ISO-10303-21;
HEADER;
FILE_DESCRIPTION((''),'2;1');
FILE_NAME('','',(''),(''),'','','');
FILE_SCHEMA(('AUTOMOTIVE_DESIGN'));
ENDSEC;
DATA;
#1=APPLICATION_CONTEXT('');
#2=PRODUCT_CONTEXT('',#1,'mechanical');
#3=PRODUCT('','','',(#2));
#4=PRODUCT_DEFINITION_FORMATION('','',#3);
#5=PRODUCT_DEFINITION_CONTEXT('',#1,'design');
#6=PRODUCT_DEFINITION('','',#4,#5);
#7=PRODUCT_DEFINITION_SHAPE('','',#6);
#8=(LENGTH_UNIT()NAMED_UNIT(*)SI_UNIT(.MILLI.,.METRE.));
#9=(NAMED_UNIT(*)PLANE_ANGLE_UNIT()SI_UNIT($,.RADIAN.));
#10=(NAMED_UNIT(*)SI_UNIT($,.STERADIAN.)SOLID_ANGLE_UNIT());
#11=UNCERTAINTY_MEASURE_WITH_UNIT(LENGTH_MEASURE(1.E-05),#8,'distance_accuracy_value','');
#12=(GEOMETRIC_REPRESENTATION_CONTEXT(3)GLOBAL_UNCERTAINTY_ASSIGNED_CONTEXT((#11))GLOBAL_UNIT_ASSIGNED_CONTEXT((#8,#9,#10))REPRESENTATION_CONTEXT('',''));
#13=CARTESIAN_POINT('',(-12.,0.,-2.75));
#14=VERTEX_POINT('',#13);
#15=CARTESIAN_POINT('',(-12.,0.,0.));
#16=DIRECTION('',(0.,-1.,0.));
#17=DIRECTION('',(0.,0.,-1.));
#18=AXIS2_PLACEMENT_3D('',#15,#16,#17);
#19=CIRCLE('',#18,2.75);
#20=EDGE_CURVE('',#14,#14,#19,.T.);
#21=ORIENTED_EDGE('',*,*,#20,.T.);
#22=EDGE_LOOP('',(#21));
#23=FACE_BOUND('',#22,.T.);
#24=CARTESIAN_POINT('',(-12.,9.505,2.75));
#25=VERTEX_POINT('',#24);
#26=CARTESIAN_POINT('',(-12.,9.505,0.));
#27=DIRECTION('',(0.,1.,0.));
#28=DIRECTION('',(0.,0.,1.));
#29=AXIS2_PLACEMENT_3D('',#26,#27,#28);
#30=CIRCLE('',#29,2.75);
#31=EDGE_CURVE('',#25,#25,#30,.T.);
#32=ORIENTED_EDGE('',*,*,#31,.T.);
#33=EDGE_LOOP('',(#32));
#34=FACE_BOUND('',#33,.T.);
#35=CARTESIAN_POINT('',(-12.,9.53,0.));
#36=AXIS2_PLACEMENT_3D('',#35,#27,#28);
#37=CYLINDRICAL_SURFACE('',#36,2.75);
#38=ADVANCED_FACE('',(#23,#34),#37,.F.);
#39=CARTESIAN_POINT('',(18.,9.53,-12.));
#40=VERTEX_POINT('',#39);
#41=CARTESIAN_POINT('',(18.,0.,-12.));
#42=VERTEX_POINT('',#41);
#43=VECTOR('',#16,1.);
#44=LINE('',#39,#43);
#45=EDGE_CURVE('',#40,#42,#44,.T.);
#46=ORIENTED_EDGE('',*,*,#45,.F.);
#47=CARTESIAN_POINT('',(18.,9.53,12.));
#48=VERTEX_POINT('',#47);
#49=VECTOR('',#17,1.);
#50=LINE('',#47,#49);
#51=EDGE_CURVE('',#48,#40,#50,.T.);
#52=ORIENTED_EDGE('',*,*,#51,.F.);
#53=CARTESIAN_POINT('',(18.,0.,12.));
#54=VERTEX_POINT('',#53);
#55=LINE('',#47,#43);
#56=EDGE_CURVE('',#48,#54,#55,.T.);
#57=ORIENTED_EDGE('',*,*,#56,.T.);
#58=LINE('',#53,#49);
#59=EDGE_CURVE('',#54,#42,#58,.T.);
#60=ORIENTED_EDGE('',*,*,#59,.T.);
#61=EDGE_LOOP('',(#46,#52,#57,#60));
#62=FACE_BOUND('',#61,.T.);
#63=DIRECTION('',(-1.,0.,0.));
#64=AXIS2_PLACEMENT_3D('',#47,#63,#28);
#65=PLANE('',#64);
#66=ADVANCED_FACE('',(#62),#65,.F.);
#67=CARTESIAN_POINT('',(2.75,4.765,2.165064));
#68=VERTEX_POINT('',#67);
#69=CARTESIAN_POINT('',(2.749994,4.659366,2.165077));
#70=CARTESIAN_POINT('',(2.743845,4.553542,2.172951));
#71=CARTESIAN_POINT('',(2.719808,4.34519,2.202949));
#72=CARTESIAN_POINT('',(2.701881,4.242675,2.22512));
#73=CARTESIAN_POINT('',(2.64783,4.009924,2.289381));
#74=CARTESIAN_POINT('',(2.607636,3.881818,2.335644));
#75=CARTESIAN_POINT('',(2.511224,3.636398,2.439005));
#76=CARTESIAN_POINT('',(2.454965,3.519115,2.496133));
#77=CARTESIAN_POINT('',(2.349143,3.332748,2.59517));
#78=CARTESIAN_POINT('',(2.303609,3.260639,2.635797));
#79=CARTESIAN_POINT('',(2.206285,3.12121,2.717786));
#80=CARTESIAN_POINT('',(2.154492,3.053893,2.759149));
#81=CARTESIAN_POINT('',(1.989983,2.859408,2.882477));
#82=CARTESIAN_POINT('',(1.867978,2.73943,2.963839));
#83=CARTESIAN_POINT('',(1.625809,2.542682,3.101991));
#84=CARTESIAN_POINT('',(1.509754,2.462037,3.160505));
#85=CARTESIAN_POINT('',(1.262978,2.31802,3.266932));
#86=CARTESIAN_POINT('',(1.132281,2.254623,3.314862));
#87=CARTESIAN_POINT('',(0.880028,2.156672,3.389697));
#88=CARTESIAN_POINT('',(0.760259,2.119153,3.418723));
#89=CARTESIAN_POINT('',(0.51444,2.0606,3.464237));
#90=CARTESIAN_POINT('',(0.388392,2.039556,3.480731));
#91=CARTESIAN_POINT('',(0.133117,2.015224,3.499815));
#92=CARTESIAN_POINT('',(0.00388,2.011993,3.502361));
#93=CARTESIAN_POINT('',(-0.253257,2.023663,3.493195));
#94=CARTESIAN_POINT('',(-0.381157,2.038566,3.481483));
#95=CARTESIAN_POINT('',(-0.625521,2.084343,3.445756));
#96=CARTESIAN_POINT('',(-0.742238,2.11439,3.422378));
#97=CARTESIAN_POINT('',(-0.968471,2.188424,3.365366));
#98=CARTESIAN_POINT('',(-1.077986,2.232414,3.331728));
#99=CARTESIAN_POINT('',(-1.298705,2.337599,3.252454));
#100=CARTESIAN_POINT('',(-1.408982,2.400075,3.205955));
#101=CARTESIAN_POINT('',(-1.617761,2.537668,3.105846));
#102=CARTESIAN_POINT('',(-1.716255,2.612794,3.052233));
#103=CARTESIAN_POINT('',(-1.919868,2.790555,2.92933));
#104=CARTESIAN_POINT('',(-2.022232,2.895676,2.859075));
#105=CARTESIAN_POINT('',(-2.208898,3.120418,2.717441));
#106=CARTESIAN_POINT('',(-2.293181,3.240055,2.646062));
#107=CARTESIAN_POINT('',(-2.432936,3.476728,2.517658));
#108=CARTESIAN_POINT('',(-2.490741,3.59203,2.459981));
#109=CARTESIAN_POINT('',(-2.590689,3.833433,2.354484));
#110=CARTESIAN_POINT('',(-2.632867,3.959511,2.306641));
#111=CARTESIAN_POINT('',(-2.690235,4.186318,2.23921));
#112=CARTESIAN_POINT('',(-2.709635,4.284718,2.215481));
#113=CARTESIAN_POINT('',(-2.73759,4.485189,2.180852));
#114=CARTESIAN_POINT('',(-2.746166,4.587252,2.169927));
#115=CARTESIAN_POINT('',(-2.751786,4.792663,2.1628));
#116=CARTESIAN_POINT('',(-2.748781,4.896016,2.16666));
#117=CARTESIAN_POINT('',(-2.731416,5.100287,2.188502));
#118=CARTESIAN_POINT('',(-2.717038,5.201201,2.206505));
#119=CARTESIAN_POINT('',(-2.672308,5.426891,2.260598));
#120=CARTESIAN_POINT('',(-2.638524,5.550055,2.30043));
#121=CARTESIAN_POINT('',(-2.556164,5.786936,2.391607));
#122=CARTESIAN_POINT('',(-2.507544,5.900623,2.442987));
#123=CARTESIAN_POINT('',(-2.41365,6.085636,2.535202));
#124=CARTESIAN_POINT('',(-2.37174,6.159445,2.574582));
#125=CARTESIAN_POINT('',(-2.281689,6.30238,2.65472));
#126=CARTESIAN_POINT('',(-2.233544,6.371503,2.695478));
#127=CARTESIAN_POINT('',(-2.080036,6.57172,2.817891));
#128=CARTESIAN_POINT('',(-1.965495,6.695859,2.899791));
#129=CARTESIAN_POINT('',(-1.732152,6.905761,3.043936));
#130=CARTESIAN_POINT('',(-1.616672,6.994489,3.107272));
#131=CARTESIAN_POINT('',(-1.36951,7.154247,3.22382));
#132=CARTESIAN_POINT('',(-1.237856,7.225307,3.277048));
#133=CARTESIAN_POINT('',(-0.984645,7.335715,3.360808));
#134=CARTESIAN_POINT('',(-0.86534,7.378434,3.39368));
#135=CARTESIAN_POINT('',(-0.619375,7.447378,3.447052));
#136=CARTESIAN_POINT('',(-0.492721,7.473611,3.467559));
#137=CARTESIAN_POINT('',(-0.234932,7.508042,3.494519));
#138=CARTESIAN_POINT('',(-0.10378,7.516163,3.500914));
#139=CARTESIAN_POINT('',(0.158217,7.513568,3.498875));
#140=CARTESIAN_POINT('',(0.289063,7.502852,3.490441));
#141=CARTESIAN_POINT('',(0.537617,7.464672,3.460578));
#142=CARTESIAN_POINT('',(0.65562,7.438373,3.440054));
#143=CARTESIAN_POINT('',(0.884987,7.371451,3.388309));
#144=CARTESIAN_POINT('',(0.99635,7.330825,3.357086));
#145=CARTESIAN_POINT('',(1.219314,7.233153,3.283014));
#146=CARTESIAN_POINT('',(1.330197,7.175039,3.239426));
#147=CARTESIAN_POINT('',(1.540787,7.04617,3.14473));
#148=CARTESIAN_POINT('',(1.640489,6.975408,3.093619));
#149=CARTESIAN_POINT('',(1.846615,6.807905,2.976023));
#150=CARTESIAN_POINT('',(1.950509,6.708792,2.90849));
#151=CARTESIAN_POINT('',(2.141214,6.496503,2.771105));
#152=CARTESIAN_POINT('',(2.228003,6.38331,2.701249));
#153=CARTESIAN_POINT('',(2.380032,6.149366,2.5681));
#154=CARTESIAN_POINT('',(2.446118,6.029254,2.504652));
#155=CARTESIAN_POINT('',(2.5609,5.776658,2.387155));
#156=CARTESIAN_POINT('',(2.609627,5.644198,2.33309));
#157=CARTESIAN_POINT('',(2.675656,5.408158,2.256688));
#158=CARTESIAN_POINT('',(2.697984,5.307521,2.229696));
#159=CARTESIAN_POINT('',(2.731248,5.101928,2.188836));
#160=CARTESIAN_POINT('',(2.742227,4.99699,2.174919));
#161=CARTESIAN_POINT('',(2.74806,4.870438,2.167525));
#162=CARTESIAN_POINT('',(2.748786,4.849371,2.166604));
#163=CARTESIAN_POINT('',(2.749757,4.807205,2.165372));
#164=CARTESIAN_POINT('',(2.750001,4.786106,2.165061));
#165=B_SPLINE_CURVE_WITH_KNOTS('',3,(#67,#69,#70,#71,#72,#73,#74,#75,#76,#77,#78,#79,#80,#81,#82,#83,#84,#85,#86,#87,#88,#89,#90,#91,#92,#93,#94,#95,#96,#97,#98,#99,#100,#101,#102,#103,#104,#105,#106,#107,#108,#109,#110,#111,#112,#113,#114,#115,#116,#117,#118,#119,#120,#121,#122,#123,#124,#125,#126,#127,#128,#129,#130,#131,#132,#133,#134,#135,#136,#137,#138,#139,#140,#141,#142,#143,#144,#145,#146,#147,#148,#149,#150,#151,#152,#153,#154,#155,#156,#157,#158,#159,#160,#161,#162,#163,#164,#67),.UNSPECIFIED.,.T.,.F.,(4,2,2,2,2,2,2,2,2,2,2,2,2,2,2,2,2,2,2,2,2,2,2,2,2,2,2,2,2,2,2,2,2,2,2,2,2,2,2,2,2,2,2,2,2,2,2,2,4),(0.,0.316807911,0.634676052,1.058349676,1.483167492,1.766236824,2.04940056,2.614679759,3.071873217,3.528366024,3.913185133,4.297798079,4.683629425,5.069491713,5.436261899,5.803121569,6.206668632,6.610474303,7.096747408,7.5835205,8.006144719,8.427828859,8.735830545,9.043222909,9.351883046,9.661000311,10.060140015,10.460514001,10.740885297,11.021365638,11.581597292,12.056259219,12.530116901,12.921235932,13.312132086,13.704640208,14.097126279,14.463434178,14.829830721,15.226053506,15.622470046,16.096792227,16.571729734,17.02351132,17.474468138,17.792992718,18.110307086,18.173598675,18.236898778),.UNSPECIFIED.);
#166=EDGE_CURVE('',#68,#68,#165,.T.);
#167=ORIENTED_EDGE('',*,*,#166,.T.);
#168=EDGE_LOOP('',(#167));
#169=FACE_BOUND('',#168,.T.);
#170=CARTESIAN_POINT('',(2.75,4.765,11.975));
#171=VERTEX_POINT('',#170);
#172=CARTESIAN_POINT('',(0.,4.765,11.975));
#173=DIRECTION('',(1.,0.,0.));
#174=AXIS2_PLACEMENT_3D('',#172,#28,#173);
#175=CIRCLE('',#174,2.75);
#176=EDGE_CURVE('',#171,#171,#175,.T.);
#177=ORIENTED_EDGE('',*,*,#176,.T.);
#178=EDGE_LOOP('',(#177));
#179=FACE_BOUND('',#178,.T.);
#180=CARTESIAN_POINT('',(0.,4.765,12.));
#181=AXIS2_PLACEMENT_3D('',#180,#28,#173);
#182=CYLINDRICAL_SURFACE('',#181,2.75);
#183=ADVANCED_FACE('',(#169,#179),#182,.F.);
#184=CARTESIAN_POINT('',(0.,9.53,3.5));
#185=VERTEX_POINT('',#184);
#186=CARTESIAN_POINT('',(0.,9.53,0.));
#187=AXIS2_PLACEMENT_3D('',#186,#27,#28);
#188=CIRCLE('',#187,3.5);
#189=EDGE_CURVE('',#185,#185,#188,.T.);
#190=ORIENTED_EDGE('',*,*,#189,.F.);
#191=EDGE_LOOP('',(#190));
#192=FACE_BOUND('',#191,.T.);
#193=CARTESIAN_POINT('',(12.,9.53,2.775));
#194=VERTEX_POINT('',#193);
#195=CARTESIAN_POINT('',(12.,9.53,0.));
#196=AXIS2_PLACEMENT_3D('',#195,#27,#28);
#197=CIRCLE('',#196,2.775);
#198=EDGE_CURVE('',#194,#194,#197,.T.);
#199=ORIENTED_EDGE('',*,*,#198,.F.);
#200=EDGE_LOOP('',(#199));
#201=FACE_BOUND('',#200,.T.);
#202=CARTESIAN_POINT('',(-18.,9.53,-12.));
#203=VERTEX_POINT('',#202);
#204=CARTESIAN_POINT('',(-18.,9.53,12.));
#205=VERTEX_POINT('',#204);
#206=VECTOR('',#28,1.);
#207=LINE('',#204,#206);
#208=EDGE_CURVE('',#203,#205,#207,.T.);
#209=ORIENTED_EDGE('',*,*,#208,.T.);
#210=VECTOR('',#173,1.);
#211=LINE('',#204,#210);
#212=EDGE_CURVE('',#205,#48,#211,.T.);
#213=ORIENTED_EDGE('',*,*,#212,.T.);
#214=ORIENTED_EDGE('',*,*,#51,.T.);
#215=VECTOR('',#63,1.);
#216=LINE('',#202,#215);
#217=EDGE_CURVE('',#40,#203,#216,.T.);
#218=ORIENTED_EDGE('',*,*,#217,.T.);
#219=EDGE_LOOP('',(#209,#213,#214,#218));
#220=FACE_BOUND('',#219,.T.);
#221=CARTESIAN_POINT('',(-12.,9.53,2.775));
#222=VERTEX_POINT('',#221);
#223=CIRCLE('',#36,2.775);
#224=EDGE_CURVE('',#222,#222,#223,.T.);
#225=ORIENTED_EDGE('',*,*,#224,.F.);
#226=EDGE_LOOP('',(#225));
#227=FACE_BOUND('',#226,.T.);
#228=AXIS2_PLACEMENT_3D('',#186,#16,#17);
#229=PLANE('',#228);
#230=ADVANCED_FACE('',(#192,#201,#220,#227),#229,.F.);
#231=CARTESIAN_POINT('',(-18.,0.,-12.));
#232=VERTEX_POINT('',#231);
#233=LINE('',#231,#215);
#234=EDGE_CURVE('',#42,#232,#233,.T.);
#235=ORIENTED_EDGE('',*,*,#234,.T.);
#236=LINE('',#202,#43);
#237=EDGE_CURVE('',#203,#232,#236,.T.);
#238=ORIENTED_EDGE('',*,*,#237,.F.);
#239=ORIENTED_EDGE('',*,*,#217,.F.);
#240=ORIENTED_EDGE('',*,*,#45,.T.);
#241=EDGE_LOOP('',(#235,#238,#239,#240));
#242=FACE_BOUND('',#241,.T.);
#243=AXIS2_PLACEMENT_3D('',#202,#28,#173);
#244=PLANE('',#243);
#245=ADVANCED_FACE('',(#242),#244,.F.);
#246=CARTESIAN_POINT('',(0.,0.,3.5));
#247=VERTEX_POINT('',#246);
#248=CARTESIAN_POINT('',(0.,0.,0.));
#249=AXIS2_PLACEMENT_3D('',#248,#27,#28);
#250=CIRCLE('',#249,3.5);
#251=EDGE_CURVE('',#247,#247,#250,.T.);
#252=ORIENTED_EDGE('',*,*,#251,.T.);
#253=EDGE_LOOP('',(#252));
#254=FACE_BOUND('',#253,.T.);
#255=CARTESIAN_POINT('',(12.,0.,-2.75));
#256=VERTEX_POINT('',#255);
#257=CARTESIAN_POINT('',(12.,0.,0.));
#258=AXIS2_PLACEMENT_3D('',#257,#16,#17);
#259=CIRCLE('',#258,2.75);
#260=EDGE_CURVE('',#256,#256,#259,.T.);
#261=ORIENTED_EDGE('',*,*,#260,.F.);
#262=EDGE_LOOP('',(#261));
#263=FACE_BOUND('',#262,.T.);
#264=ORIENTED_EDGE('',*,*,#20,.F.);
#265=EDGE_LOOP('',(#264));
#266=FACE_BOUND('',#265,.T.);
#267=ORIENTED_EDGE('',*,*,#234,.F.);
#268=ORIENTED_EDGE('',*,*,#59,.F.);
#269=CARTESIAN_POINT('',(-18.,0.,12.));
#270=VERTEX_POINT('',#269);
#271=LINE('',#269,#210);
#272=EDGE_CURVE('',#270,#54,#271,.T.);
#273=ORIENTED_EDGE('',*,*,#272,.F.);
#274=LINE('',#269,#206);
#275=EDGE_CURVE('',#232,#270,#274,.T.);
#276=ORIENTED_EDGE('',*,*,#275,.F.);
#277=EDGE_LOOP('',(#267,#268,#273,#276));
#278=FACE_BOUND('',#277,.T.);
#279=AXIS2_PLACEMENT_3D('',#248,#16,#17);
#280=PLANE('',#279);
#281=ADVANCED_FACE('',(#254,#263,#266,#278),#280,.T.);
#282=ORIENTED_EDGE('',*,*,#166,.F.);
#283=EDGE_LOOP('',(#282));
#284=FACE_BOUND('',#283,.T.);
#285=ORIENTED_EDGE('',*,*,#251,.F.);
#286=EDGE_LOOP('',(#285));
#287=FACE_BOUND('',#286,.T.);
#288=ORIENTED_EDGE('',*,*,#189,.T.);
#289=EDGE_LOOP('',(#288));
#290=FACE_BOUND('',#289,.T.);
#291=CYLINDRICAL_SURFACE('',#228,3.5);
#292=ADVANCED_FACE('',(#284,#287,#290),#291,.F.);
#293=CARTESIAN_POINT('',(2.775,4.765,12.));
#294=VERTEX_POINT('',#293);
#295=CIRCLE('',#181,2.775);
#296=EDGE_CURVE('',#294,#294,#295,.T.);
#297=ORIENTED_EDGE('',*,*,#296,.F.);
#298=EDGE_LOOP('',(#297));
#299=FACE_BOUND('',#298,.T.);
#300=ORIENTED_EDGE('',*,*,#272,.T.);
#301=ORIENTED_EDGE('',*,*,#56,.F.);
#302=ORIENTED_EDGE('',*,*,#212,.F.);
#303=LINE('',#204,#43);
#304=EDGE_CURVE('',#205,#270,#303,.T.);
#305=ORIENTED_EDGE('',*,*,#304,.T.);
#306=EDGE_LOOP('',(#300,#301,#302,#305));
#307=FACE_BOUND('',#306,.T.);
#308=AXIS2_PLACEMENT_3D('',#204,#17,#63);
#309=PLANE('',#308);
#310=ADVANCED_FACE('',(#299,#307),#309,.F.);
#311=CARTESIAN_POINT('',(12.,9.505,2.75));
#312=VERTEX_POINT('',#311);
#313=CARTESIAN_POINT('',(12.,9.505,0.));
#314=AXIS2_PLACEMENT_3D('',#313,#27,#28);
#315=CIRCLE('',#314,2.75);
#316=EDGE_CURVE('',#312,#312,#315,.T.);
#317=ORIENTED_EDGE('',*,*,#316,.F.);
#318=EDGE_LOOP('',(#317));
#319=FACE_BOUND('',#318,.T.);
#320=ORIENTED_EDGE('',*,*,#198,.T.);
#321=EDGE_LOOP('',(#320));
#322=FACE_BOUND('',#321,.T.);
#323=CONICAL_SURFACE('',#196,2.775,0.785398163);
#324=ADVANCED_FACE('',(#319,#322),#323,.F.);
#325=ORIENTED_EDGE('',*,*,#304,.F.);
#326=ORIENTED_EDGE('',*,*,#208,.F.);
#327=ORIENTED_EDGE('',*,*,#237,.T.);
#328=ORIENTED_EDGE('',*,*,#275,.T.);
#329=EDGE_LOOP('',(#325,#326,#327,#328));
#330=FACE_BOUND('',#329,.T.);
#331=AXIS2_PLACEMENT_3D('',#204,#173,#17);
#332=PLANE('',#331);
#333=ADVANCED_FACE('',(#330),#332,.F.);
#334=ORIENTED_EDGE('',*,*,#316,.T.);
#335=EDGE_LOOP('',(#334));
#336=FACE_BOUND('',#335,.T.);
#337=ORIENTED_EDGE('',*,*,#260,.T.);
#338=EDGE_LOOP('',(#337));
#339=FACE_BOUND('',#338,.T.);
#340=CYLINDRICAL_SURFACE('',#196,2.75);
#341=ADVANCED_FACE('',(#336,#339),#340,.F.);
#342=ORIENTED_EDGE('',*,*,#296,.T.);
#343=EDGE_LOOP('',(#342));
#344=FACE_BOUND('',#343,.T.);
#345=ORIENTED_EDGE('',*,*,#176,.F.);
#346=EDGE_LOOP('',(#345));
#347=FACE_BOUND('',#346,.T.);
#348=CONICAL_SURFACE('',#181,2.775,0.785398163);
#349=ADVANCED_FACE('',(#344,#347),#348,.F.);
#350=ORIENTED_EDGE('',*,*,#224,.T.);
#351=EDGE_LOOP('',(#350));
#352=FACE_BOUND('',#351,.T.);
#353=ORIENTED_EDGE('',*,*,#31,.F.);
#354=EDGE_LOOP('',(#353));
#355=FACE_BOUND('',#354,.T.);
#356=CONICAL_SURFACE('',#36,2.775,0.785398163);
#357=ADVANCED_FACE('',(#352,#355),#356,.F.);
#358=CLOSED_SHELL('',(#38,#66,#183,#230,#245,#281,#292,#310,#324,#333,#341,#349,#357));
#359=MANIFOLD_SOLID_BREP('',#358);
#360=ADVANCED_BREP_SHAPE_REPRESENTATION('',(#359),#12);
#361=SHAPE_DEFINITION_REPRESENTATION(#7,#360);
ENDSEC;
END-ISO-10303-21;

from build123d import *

# Parameters (mm, degrees)
SKETCH1_W                      = 36
SKETCH1_H                      = 24
SKETCH1_R                      = 3.5
BOSS_EXTRUDE1_DEPTH            = 9.53
M5_CLEARANCE_HOLE1_D           = 5.5
M5_CLEARANCE_HOLE1_DEPTH       = 13
M5_CLEARANCE_HOLE1_CSINK_D     = 5.55
M5_CLEARANCE_HOLE1_CSINK_ANGLE = 90
M5_CLEARANCE_HOLE1_TIP         = 1.652366702
M5_CLEARANCE_HOLE2_D           = 5.5
M5_CLEARANCE_HOLE2_DEPTH       = 13
M5_CLEARANCE_HOLE2_CSINK_D     = 5.55
M5_CLEARANCE_HOLE2_CSINK_ANGLE = 90
M5_CLEARANCE_HOLE2_TIP         = 1.652366702


with BuildPart() as part:
    # Sketch1 → Boss-Extrude1 (new body)
    with BuildSketch(Plane(origin=(0, 0, 0), x_dir=(1, 0, 0), z_dir=(0, 1, 0))):
        Rectangle(SKETCH1_W, SKETCH1_H)
        Circle(SKETCH1_R, mode=Mode.SUBTRACT)
    extrude(amount=BOSS_EXTRUDE1_DEPTH)

    # M5 Clearance Hole1
    with Locations(Plane.XY.offset(12)):
        with Locations((0, 4.765)):
            CounterSinkHole(M5_CLEARANCE_HOLE1_D / 2, M5_CLEARANCE_HOLE1_CSINK_D / 2, depth=M5_CLEARANCE_HOLE1_DEPTH, counter_sink_angle=M5_CLEARANCE_HOLE1_CSINK_ANGLE)
            with Locations((0, 0, -(M5_CLEARANCE_HOLE1_DEPTH + M5_CLEARANCE_HOLE1_TIP / 2))):  # 118° drill point
                Cone(0, M5_CLEARANCE_HOLE1_D / 2, M5_CLEARANCE_HOLE1_TIP, mode=Mode.SUBTRACT)

    # M5 Clearance Hole2
    with Locations(Plane(origin=(0, 9.53, 0), x_dir=(1, 0, 0), z_dir=(0, 1, 0))):
        with Locations((12, 0), (-12, 0)):
            CounterSinkHole(M5_CLEARANCE_HOLE2_D / 2, M5_CLEARANCE_HOLE2_CSINK_D / 2, depth=M5_CLEARANCE_HOLE2_DEPTH, counter_sink_angle=M5_CLEARANCE_HOLE2_CSINK_ANGLE)
            with Locations((0, 0, -(M5_CLEARANCE_HOLE2_DEPTH + M5_CLEARANCE_HOLE2_TIP / 2))):  # 118° drill point
                Cone(0, M5_CLEARANCE_HOLE2_D / 2, M5_CLEARANCE_HOLE2_TIP, mode=Mode.SUBTRACT)


solid = part.part
